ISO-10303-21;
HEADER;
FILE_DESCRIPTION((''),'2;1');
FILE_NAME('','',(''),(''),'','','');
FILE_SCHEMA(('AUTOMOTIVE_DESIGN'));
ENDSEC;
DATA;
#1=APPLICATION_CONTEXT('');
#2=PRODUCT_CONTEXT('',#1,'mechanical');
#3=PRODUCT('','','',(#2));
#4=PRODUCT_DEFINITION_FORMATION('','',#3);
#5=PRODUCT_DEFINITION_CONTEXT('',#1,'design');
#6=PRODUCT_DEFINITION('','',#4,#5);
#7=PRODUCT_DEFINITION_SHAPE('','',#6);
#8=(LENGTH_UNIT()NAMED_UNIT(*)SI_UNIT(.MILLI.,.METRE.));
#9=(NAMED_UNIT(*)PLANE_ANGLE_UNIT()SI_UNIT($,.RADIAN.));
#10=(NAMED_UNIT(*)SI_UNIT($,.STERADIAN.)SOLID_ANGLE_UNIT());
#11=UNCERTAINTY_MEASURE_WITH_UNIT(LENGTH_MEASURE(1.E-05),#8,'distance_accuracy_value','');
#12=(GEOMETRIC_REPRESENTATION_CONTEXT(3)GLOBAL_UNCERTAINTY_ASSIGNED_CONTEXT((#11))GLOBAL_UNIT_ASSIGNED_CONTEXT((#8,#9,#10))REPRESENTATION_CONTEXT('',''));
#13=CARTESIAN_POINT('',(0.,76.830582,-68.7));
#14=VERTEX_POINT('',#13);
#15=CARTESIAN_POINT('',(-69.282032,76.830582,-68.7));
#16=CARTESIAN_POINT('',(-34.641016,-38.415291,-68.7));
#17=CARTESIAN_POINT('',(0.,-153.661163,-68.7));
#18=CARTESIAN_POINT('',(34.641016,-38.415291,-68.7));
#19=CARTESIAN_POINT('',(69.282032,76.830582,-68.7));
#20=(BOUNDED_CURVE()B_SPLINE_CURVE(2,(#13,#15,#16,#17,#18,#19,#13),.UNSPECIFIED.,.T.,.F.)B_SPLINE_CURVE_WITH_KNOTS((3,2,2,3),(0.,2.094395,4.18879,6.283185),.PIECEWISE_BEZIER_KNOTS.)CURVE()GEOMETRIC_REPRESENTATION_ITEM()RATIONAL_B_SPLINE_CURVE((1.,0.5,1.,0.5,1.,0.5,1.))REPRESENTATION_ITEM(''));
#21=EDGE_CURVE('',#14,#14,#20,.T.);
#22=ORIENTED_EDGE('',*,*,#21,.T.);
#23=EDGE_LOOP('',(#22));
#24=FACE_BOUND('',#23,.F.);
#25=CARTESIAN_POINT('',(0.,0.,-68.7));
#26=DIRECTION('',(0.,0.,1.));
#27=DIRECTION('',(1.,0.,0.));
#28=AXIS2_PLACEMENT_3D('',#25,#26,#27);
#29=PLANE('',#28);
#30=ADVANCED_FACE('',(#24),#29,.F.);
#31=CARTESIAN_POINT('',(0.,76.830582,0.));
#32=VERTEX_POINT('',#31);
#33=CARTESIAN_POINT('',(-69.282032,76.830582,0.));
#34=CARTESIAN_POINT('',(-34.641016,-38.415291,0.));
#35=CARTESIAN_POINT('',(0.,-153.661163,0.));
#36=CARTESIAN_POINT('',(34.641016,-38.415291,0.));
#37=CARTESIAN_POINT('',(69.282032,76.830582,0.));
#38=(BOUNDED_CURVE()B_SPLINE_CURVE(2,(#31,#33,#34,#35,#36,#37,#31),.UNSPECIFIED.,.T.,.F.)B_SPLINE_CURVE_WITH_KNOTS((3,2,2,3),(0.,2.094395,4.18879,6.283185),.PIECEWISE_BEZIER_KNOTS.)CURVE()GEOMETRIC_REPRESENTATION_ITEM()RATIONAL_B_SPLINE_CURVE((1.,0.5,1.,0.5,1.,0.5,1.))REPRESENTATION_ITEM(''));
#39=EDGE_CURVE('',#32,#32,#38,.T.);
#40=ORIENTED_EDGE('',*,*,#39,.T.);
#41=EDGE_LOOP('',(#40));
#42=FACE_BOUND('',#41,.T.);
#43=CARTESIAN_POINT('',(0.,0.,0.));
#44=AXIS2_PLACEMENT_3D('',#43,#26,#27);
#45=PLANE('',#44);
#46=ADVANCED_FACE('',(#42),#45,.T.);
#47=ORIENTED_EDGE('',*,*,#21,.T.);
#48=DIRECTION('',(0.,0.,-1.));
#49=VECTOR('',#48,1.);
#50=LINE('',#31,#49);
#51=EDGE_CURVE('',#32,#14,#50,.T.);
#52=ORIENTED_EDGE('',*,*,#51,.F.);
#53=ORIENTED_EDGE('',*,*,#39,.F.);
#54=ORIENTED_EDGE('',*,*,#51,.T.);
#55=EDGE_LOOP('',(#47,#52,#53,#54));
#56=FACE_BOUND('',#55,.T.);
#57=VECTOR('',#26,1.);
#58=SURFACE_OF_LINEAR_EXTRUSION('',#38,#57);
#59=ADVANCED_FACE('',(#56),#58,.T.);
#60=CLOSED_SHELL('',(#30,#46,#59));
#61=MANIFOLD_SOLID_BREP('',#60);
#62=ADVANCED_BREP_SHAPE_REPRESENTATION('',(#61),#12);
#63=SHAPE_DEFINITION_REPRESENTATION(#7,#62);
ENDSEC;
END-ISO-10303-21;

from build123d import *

# Parameters (mm, degrees)
F1_DEPTH = 68.7


with BuildPart() as f1:
    # F0 (on Top) → F1 (new body)
    with BuildSketch(Plane.XY):
        with BuildLine():
            add(Edge.make_bspline(
                [(0, 76.830582), (-69.282032, 76.830582), (-34.641016, -38.415291), (0, -153.661163), (34.641016, -38.415291), (69.282032, 76.830582), (0, 76.830582)],
                knots=[0, 0, 0, 2.094395, 2.094395, 4.18879, 4.18879, 6.283185, 6.283185, 6.283185], degree=2, weights=[1, 0.5, 1, 0.5, 1, 0.5, 1]))
        make_face()
    extrude(amount=-F1_DEPTH)


solid = f1.part
